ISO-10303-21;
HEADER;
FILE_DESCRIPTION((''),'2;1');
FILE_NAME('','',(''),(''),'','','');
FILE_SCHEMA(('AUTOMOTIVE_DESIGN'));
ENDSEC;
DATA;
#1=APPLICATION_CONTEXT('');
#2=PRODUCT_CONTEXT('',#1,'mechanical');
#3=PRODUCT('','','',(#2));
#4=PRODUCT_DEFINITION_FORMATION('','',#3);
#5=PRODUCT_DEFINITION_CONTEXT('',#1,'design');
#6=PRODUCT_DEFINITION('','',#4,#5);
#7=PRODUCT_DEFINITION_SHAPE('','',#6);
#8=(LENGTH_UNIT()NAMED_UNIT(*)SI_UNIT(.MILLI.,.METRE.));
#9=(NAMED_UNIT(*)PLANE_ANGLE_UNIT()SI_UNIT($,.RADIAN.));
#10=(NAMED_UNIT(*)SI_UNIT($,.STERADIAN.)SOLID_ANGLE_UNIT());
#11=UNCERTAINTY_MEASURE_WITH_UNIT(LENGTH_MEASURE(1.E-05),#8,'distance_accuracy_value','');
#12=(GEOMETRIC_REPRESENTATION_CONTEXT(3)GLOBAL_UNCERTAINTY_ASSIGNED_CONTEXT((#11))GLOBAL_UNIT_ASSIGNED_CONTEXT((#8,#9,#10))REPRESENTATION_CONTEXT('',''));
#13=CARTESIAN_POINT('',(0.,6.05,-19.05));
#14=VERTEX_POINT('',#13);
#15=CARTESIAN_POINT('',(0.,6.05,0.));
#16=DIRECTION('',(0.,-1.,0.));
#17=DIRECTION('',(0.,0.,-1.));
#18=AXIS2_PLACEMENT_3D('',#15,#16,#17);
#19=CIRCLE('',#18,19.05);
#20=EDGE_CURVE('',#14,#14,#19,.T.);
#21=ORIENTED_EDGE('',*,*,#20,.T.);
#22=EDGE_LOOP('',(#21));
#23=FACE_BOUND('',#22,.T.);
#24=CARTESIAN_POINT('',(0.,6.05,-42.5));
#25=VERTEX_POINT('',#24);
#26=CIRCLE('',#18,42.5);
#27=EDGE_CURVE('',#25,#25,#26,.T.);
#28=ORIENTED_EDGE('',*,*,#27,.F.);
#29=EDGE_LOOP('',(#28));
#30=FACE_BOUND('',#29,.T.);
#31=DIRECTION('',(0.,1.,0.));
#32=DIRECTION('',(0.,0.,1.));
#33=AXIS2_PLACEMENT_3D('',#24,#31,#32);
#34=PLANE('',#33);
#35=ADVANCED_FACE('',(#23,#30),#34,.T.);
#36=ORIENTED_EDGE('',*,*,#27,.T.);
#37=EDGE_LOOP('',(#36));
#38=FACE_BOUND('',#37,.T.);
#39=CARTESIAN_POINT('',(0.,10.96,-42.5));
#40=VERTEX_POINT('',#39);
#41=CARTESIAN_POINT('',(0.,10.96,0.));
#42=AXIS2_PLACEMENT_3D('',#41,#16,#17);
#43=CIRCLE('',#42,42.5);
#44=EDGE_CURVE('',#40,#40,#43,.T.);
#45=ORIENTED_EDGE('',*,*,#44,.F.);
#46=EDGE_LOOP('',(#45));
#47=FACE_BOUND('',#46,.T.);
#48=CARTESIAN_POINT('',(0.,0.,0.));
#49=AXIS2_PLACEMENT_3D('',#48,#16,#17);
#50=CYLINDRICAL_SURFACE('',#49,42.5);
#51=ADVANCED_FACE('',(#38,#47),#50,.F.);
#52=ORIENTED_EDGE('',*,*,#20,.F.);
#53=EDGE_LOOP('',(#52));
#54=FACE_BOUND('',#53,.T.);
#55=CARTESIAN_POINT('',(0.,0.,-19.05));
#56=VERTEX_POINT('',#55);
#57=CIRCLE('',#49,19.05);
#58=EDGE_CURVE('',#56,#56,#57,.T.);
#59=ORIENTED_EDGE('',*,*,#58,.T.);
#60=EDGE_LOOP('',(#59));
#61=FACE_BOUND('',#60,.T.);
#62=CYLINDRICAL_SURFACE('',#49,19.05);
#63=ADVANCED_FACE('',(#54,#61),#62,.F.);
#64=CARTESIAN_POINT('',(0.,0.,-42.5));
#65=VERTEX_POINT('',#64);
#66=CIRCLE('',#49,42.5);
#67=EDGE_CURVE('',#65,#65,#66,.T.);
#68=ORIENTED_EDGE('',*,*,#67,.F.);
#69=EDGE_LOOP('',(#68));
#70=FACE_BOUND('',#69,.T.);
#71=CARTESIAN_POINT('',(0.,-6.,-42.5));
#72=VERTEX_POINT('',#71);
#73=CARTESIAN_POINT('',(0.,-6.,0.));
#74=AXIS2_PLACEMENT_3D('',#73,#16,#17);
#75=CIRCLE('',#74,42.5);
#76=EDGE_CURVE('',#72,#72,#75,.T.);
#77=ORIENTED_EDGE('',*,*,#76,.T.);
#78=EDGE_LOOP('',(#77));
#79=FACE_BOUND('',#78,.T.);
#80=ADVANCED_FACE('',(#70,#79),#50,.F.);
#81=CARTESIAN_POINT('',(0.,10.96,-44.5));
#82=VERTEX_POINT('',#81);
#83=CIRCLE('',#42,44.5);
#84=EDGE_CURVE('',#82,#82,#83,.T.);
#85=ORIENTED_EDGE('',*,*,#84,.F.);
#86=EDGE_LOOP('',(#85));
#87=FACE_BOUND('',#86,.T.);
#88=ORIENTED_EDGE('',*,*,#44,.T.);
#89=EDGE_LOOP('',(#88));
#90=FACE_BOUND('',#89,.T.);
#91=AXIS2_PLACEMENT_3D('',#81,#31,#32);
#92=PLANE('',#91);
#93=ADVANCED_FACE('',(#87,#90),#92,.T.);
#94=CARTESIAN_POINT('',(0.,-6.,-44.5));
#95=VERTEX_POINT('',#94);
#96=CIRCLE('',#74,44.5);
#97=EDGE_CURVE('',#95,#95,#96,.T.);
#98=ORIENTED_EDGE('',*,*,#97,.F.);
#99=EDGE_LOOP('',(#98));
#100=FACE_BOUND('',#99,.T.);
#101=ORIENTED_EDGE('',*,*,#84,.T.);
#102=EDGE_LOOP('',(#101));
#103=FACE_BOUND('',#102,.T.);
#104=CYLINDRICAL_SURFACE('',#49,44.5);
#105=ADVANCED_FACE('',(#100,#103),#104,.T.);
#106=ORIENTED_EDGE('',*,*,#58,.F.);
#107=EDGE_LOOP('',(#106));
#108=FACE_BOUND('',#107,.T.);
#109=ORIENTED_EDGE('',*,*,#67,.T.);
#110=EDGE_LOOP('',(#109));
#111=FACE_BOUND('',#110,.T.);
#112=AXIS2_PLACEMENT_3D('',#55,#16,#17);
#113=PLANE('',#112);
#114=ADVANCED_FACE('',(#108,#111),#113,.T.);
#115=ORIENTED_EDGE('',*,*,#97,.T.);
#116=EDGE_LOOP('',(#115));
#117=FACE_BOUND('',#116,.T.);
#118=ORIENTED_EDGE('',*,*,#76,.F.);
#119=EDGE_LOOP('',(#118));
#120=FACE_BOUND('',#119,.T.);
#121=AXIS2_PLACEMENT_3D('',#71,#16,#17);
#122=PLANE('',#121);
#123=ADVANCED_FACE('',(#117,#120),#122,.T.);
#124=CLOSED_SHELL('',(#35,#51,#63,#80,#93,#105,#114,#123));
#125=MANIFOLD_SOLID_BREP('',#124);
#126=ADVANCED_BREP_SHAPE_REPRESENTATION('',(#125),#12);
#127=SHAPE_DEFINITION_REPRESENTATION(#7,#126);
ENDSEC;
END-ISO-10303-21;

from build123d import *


with BuildPart() as part:
    # Sketch1 → Revolve1 (revolve)
    with BuildSketch(Plane(origin=(0, 0, 0), x_dir=(0, 0, -1), z_dir=(1, 0, 0))):
        Polygon((19.05, 0), (42.5, 0), (42.5, -6), (44.5, -6), (44.5, 10.96), (42.5, 10.96), (42.5, 6.05), (19.05, 6.05), align=None)
    revolve(axis=Axis((0, 0, 0), (0, 1, 0)))


solid = part.part
